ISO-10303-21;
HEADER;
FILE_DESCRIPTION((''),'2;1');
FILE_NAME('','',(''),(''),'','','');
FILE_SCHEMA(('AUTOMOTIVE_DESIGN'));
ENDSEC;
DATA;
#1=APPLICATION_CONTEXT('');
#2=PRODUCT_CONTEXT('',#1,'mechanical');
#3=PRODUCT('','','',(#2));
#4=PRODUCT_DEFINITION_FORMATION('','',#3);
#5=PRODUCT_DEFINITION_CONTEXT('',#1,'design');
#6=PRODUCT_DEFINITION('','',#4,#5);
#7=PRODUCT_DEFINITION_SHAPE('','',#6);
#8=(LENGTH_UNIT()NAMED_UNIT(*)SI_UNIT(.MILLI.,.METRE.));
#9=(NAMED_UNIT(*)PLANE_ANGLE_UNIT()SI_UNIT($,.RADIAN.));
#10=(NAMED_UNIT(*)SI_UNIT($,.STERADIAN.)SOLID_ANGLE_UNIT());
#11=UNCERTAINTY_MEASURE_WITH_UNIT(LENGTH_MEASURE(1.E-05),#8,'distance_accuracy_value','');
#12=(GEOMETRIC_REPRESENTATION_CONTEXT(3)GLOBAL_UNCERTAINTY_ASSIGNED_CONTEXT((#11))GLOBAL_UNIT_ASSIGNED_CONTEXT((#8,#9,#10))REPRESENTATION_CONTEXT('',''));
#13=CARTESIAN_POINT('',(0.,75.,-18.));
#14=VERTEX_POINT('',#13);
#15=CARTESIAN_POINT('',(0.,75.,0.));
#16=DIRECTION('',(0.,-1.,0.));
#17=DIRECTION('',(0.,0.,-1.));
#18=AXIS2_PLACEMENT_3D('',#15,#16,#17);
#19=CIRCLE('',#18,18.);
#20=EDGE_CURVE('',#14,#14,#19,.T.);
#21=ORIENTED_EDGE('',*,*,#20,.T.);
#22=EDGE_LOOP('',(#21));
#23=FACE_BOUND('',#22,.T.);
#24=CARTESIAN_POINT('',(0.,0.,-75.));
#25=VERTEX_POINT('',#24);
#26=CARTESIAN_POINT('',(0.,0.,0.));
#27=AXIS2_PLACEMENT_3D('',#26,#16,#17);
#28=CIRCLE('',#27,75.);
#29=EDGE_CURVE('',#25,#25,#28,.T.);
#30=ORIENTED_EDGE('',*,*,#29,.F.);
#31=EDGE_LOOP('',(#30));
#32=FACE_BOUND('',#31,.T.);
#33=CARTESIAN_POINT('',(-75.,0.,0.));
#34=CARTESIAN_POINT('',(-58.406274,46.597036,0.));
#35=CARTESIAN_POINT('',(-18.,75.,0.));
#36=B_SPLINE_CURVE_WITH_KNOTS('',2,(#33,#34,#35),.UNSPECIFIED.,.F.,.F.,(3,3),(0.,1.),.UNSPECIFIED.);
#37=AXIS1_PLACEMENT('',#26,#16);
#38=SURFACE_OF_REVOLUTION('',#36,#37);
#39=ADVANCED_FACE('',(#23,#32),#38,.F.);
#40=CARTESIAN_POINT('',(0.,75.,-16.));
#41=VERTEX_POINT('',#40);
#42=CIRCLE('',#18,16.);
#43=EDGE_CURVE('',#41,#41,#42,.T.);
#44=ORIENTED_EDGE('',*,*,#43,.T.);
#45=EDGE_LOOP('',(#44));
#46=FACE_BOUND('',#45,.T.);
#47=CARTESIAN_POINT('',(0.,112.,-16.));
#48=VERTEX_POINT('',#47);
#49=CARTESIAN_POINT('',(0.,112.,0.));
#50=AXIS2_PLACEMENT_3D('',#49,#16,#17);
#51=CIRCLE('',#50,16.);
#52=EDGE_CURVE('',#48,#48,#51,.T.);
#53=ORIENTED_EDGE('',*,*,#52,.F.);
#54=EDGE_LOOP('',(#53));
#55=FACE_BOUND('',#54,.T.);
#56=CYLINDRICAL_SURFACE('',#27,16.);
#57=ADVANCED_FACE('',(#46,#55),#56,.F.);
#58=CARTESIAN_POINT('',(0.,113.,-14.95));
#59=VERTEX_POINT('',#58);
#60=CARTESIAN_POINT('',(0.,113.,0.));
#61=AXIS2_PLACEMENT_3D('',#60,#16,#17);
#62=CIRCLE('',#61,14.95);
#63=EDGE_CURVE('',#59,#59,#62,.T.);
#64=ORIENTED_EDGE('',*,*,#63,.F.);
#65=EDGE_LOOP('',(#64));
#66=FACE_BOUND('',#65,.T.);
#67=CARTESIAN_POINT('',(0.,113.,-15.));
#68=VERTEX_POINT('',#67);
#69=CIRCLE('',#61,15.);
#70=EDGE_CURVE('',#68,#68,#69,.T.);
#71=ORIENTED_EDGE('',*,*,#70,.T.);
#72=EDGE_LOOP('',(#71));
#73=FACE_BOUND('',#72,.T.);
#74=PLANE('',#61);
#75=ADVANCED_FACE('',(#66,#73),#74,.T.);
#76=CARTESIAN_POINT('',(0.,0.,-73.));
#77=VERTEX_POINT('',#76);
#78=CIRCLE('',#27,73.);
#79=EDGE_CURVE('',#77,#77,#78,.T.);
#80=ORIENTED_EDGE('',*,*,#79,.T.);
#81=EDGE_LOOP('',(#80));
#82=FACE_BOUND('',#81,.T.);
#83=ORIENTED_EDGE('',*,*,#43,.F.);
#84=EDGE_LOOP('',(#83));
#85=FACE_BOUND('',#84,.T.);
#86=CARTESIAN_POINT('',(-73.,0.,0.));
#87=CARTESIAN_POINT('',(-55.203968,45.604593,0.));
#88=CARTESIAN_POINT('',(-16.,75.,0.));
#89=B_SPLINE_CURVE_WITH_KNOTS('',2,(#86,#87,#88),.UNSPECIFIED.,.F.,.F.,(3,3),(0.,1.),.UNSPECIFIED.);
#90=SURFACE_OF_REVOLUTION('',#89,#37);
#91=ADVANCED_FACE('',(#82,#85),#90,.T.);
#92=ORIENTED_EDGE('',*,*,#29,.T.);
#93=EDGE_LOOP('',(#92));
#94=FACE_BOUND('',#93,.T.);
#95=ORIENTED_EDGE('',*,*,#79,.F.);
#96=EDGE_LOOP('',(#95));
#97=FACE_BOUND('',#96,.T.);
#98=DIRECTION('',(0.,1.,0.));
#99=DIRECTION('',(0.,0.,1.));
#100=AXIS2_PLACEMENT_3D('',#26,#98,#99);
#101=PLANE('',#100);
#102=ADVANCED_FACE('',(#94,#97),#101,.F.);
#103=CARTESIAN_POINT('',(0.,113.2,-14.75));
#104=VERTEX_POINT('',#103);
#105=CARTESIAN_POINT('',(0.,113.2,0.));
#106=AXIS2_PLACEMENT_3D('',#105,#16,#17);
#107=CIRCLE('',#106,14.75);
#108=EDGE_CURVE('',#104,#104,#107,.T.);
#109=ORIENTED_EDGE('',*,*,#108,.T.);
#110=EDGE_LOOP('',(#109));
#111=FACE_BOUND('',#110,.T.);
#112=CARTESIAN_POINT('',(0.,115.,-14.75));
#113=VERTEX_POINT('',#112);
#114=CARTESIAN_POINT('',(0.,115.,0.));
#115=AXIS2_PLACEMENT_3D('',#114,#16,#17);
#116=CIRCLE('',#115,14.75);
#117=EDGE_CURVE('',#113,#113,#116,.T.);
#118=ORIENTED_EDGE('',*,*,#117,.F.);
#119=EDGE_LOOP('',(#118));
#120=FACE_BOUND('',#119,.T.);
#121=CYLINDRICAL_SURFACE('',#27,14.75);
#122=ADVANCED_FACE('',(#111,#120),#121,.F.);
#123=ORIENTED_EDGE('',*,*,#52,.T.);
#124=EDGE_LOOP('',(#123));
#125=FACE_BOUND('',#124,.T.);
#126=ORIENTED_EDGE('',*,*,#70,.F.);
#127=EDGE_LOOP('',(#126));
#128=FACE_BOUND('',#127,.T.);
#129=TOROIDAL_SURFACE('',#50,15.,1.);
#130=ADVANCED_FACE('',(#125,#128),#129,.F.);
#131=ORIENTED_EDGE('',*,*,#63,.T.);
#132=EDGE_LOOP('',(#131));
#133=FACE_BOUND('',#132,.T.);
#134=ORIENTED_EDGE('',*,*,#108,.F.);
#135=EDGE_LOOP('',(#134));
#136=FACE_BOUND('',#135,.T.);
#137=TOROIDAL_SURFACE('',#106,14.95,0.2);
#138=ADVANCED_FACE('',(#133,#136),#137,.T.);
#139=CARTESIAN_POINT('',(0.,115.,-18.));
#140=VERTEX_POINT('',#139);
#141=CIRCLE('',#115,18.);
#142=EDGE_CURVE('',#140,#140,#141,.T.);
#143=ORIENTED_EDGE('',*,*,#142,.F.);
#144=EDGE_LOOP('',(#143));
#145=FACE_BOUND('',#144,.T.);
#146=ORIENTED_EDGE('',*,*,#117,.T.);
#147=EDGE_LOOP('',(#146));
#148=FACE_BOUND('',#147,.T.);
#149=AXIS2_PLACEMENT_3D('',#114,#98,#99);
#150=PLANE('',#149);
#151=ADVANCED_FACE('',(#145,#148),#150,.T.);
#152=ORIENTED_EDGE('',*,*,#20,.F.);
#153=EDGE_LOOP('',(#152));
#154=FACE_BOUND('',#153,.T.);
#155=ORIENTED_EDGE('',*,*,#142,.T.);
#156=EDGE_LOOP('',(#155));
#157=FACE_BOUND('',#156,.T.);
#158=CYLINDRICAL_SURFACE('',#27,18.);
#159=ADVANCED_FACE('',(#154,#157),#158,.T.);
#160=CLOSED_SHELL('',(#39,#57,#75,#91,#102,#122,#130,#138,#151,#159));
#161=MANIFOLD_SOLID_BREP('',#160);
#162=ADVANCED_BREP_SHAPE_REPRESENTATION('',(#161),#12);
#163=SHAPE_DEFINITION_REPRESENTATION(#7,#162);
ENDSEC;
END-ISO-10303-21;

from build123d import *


with BuildPart() as part:
    # Sketch1 → Revolve1 (revolve)
    with BuildSketch(Plane.XY, mode=Mode.PRIVATE) as revolve1_sk:
        with BuildLine():
            add(Edge.make_bspline(
                [(-75, 0), (-58.406274113, 46.597036045), (-18, 75)],
                knots=[0, 0, 0, 1, 1, 1], degree=2))
            Line((-75, 0), (-73, 0))
            add(Edge.make_bspline(
                [(-73, 0), (-55.203968241, 45.604593249), (-16, 75)],
                knots=[0, 0, 0, 1, 1, 1], degree=2))
            Line((-16, 75), (-16, 112))
            ThreePointArc((-16, 112), (-15.707106781, 112.707106781), (-15, 113))
            Line((-15, 113), (-14.95, 113))
            ThreePointArc((-14.95, 113), (-14.808578644, 113.058578644), (-14.75, 113.2))
            Line((-14.75, 113.2), (-14.75, 115))
            Line((-14.75, 115), (-18, 115))
            Line((-18, 115), (-18, 75))
        make_face()
        with BuildLine():
            add(Edge.make_bspline(
                [(73, 0), (55.203968241, 45.604593249), (16, 75)],
                knots=[0, 0, 0, 1, 1, 1], degree=2))
            Line((73, 0), (75, 0))
            add(Edge.make_bspline(
                [(75, 0), (58.406274113, 46.597036045), (18, 75)],
                knots=[0, 0, 0, 1, 1, 1], degree=2))
            Line((18, 75), (18, 115))
            Line((18, 115), (14.75, 115))
            Line((14.75, 115), (14.75, 113.2))
            ThreePointArc((14.75, 113.2), (14.808578644, 113.058578644), (14.95, 113))
            Line((14.95, 113), (15, 113))
            ThreePointArc((15, 113), (15.707106781, 112.707106781), (16, 112))
            Line((16, 112), (16, 75))
        make_face()
    revolve(revolve1_sk.sketch.rotate(Axis((0, 0, 0), (0, 1, 0)), 270), axis=Axis((0, 0, 0), (0, 1, 0)))


solid = part.part
